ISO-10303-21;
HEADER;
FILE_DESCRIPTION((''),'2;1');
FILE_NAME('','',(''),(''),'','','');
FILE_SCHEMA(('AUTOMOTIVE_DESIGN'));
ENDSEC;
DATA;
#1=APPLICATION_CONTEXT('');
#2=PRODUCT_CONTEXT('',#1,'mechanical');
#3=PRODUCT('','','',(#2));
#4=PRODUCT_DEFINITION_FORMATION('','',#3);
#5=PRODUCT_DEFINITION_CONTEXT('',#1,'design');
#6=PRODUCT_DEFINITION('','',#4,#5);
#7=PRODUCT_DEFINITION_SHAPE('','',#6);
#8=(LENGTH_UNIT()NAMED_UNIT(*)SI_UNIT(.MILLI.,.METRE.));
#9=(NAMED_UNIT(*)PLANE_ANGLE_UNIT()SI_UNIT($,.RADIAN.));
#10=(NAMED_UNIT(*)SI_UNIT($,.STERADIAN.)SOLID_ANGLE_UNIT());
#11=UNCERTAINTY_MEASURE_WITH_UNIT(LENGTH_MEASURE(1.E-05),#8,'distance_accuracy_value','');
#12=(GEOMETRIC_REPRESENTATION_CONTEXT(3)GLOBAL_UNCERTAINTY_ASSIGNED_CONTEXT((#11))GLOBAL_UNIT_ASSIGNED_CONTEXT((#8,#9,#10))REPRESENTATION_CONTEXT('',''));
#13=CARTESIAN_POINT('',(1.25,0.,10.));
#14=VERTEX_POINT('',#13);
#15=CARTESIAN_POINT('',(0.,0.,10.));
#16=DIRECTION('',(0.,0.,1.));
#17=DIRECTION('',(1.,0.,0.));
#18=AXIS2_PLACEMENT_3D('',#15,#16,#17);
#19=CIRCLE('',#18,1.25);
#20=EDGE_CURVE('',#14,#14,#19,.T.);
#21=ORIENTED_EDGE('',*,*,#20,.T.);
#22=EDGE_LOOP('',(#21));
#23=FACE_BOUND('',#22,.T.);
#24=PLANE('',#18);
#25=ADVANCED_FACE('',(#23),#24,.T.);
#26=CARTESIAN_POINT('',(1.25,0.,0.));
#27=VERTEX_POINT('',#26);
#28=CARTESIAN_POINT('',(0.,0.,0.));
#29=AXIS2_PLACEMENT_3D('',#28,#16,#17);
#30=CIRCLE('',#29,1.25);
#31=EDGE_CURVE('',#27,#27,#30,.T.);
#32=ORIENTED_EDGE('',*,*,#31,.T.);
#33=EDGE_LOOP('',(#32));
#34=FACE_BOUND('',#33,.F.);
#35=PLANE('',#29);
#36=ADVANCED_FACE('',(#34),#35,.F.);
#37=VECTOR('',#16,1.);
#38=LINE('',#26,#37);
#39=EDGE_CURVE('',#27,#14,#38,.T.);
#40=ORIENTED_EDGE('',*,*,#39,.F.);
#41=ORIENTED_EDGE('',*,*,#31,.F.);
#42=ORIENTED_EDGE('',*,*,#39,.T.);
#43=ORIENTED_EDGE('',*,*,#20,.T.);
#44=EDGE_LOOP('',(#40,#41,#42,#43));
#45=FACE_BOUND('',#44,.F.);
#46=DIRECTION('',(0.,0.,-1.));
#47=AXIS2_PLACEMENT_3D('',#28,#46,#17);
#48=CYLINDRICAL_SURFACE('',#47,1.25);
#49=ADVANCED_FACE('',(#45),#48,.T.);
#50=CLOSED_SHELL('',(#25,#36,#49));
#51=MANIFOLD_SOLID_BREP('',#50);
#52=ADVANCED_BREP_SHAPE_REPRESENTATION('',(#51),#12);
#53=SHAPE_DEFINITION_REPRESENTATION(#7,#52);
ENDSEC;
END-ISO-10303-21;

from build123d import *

# Parameters (mm, degrees)
SKETCH1_R           = 1.25
BOSS_EXTRUDE1_DEPTH = 10


with BuildPart() as part:
    # Sketch1 → Boss-Extrude1 (new body)
    with BuildSketch(Plane.XY):
        Circle(SKETCH1_R)
    extrude(amount=BOSS_EXTRUDE1_DEPTH)


solid = part.part
